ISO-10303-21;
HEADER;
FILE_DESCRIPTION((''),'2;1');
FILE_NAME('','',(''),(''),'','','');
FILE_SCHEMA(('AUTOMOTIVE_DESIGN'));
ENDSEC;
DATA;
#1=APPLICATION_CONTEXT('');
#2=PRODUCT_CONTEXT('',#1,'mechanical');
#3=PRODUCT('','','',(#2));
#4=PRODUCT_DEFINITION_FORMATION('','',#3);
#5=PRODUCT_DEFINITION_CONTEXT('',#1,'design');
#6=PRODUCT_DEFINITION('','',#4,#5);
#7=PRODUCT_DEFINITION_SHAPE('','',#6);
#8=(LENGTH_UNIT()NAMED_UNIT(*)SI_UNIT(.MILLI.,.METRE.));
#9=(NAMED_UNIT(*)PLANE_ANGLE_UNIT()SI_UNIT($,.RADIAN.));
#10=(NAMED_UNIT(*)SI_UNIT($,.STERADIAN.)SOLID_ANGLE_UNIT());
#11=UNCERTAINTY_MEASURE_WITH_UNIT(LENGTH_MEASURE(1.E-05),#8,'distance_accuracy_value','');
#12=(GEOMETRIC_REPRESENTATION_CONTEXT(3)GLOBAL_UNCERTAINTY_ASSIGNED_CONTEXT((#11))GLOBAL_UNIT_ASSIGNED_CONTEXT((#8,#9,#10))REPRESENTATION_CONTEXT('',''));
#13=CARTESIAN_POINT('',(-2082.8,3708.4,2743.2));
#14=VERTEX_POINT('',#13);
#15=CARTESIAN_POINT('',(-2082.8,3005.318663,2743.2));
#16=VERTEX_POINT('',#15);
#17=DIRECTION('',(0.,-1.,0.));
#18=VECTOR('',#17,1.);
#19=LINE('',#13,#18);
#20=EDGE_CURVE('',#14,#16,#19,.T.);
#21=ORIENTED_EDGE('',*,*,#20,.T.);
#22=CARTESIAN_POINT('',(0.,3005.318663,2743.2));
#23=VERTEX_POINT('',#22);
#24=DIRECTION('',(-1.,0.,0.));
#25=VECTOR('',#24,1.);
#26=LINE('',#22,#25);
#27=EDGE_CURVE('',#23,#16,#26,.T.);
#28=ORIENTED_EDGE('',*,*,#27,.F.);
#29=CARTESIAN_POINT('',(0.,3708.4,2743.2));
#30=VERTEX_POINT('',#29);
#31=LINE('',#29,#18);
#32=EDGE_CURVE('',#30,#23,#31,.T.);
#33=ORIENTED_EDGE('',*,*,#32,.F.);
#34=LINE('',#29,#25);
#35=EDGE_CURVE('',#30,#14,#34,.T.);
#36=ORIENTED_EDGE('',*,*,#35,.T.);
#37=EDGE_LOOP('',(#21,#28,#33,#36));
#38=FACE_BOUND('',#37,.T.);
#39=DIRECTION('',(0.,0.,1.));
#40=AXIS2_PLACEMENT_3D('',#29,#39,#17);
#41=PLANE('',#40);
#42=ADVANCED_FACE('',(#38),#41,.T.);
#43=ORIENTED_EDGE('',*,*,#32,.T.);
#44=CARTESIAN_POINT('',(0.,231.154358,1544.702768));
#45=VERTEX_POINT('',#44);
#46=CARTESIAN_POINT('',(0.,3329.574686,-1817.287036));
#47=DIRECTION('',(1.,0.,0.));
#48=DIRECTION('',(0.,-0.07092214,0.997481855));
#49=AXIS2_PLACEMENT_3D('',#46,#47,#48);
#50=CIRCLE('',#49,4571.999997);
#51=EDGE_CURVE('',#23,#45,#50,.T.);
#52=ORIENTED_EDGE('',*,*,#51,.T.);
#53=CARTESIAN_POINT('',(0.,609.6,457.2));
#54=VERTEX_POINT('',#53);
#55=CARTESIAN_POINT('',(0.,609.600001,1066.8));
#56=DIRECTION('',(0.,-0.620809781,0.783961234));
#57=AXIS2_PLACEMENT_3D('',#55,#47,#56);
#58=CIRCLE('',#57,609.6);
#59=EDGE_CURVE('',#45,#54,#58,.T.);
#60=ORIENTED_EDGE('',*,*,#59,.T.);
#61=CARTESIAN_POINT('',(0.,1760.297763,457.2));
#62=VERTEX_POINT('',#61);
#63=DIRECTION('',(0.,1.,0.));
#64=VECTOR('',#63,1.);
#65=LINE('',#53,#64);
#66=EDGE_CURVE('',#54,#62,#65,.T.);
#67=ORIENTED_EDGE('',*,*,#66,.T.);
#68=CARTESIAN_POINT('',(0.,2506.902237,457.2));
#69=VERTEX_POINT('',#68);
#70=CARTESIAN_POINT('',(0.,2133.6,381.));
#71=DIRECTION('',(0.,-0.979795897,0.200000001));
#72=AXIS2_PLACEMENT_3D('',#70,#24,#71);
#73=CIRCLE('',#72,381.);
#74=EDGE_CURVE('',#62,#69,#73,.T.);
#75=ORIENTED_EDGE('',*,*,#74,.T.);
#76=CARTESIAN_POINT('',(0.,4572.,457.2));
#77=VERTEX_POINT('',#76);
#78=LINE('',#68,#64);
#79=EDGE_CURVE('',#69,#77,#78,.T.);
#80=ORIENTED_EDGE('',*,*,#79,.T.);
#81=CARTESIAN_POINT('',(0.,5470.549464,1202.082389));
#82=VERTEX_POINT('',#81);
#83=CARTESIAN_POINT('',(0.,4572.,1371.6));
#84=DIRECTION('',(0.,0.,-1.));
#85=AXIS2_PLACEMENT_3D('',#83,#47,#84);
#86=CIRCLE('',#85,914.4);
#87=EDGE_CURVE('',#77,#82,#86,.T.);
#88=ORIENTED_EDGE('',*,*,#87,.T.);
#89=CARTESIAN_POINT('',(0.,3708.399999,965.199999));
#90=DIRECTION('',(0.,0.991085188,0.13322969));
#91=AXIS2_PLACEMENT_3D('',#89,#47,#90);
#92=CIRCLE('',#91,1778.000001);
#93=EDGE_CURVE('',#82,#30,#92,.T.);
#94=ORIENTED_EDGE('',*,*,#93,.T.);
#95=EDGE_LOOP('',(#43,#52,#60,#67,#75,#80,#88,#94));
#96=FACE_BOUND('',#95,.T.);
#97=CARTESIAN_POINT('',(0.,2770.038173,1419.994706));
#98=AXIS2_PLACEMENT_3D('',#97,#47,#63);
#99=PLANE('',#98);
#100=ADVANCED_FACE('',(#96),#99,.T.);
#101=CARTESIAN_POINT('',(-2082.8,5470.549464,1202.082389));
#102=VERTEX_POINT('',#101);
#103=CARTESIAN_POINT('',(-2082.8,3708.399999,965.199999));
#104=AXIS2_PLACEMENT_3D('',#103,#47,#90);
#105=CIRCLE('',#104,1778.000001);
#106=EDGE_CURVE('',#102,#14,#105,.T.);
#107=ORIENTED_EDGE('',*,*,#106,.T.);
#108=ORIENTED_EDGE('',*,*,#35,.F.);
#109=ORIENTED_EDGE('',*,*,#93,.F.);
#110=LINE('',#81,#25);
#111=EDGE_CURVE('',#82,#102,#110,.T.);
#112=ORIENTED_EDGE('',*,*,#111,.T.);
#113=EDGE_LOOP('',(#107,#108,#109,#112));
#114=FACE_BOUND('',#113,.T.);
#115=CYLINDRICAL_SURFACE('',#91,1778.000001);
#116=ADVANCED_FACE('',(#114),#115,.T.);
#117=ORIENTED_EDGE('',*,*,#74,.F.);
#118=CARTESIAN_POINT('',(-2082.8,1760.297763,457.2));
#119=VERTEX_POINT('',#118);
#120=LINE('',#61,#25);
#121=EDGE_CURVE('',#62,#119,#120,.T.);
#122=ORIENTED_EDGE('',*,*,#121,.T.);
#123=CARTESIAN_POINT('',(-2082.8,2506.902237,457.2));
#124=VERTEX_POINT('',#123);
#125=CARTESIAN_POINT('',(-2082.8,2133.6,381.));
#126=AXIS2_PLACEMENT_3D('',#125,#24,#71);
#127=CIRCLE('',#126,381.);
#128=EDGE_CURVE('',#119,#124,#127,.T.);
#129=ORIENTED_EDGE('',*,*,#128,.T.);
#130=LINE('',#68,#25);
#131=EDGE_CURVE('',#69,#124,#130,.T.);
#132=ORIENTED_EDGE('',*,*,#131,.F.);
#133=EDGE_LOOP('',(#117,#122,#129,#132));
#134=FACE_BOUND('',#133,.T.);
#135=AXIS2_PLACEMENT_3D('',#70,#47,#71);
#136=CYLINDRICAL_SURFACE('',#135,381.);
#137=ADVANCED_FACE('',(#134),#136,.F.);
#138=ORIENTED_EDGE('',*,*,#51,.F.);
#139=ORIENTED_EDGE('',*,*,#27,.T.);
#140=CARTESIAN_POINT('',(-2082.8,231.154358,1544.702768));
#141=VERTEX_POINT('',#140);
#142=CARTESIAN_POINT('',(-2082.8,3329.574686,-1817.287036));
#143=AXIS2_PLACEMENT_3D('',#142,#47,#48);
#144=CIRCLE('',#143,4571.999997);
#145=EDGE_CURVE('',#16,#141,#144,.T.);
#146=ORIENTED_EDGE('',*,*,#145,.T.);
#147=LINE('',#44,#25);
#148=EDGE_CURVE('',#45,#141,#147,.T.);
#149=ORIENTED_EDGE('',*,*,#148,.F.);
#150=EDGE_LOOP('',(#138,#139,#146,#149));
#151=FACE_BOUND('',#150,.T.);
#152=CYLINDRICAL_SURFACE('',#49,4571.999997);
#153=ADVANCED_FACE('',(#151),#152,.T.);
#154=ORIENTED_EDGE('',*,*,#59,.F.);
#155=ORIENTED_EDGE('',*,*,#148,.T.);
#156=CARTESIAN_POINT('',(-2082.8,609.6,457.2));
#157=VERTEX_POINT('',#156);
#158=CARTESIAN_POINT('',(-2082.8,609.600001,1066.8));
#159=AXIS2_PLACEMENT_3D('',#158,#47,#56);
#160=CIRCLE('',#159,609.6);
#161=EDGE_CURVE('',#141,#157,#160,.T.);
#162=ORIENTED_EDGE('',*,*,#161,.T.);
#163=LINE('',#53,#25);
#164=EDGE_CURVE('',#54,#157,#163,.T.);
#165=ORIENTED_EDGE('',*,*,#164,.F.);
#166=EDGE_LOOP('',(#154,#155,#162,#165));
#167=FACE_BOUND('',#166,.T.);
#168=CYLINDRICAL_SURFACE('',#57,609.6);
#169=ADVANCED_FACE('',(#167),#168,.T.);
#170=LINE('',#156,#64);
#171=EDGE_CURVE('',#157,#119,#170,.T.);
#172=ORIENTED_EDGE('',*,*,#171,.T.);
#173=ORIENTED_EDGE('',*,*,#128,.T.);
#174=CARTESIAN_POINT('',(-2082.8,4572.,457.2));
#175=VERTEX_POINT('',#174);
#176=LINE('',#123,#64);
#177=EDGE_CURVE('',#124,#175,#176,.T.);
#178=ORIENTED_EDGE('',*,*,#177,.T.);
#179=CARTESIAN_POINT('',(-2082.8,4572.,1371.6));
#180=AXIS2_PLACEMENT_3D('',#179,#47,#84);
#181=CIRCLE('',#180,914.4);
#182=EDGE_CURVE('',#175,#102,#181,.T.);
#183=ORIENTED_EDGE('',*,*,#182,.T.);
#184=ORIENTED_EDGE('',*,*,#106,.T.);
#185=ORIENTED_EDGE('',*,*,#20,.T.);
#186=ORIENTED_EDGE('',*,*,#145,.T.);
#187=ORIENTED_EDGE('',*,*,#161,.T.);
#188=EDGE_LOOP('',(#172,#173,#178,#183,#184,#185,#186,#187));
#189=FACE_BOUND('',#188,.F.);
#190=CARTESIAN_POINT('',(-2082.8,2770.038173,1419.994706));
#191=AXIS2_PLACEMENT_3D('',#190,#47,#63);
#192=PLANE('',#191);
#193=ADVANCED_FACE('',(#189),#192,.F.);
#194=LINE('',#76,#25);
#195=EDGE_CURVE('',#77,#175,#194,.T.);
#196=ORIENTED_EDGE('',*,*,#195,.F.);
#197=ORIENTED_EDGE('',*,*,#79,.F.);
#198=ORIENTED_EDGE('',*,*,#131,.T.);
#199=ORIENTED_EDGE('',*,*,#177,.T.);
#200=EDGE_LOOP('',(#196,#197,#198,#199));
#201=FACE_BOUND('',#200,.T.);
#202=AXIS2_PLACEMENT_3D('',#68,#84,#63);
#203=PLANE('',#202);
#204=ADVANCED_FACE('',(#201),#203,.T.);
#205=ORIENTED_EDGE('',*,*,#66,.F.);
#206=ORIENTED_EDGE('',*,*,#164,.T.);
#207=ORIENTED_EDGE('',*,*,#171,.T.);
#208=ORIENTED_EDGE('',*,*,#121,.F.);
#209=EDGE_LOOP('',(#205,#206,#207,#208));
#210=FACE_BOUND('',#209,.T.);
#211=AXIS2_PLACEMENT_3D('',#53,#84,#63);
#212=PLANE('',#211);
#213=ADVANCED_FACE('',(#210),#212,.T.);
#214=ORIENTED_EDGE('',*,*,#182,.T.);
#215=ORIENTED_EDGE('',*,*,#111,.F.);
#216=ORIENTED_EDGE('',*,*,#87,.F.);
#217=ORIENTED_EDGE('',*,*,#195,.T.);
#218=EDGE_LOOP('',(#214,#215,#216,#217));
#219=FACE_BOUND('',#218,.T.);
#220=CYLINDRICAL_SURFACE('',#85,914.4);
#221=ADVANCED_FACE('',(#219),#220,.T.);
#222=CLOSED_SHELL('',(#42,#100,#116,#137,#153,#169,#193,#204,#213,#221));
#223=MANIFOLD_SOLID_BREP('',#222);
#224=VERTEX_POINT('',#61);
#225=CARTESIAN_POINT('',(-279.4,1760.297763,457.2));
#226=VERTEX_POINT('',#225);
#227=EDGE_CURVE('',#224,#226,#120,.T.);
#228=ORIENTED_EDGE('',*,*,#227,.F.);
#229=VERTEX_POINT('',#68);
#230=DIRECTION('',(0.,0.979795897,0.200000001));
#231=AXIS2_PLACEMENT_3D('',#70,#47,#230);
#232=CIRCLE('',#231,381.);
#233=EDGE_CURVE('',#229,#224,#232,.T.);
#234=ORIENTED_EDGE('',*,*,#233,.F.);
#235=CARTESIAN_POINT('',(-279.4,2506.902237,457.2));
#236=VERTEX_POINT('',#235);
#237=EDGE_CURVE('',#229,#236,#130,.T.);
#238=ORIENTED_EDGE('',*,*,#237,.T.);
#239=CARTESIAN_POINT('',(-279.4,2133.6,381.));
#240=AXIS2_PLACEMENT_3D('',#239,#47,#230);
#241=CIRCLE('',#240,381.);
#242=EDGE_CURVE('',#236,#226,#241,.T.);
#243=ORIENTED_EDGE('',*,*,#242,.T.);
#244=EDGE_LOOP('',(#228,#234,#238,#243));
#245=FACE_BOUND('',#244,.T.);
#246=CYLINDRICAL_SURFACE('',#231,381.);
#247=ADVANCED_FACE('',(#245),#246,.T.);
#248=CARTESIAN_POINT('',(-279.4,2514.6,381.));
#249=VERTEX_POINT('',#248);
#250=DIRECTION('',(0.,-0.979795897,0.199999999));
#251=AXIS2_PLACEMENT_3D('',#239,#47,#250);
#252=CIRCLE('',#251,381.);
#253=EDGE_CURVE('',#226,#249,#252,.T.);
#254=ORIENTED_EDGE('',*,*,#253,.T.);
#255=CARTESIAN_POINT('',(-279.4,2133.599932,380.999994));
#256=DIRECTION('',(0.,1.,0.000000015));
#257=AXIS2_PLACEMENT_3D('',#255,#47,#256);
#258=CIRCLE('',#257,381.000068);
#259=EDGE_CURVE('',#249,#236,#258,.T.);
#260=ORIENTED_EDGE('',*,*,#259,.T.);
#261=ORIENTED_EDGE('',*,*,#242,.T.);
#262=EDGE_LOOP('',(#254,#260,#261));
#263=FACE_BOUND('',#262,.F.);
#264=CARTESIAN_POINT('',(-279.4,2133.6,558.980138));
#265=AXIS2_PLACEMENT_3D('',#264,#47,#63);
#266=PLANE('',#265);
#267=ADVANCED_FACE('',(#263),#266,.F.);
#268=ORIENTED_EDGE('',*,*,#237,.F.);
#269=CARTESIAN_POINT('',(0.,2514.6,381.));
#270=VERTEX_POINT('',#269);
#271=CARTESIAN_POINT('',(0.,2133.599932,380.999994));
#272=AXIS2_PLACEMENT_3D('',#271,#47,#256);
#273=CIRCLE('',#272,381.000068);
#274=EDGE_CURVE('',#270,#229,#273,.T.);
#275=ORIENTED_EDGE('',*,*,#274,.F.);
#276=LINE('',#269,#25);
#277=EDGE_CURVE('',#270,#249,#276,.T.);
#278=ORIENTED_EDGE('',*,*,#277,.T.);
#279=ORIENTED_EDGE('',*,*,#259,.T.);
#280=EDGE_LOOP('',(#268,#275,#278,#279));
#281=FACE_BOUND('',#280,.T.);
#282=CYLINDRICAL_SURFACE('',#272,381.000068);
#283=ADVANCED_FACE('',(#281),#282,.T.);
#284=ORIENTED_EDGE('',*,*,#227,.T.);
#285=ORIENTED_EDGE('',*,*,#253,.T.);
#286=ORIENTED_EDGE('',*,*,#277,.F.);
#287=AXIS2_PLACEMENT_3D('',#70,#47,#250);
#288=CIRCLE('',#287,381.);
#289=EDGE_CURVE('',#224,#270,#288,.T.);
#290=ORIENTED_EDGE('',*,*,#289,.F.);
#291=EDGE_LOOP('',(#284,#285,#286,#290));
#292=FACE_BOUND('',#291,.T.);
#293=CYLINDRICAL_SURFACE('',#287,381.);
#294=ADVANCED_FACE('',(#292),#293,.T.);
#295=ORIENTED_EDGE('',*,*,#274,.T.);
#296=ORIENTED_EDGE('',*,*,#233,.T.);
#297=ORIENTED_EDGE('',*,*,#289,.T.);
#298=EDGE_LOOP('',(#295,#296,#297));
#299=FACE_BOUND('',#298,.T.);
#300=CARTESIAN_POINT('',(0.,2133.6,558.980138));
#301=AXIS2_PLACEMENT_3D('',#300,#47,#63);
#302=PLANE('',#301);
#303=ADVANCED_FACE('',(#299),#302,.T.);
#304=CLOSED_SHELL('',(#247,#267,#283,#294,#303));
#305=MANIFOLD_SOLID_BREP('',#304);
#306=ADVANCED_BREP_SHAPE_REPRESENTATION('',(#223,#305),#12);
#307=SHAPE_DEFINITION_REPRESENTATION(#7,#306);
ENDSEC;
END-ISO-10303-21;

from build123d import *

# Parameters (mm, degrees)
F1_DEPTH = 2082.8
F2_DEPTH = 279.4


with BuildPart() as f1:
    # F0 (on Right) → F1 (new body)
    with BuildSketch(Plane.YZ):
        with BuildLine():
            ThreePointArc((5470.549464, 1202.082389), (4878.892869, 2303.568575), (3708.4, 2743.2))
            Line((3708.4, 2743.2), (3005.318663, 2743.2))
            ThreePointArc((3005.318663, 2743.2), (1516.351794, 2379.784171), (231.154358, 1544.702768))
            ThreePointArc((231.154358, 1544.702768), (33.864954, 866.447021), (609.6, 457.2))
            Line((609.6, 457.2), (1760.297763, 457.2))
            ThreePointArc((1760.297763, 457.2), (2133.6, 762), (2506.902237, 457.2))
            Line((2506.902237, 457.2), (4572, 457.2))
            ThreePointArc((4572, 457.2), (5155.575383, 667.634708), (5470.549464, 1202.082389))
        make_face()
    extrude(amount=-F1_DEPTH)


with BuildPart() as f2:
    # F0 (on Right) → F2 (new body)
    with BuildSketch(Plane.YZ):
        with BuildLine():
            Line((1760.297763, 457.2), (2506.902237, 457.2))
            ThreePointArc((2506.902237, 457.2), (2133.6, 762), (1760.297763, 457.2))
        make_face()
        with BuildLine():
            ThreePointArc((2514.6, 381), (2512.670674, 419.293915), (2506.902237, 457.2))
            Line((2506.902237, 457.2), (1760.297763, 457.2))
            ThreePointArc((1760.297763, 457.2), (2095.306085, 1.929326), (2514.6, 381))
        make_face()
    extrude(amount=-F2_DEPTH)


solid = Compound([f1.part, f2.part])
